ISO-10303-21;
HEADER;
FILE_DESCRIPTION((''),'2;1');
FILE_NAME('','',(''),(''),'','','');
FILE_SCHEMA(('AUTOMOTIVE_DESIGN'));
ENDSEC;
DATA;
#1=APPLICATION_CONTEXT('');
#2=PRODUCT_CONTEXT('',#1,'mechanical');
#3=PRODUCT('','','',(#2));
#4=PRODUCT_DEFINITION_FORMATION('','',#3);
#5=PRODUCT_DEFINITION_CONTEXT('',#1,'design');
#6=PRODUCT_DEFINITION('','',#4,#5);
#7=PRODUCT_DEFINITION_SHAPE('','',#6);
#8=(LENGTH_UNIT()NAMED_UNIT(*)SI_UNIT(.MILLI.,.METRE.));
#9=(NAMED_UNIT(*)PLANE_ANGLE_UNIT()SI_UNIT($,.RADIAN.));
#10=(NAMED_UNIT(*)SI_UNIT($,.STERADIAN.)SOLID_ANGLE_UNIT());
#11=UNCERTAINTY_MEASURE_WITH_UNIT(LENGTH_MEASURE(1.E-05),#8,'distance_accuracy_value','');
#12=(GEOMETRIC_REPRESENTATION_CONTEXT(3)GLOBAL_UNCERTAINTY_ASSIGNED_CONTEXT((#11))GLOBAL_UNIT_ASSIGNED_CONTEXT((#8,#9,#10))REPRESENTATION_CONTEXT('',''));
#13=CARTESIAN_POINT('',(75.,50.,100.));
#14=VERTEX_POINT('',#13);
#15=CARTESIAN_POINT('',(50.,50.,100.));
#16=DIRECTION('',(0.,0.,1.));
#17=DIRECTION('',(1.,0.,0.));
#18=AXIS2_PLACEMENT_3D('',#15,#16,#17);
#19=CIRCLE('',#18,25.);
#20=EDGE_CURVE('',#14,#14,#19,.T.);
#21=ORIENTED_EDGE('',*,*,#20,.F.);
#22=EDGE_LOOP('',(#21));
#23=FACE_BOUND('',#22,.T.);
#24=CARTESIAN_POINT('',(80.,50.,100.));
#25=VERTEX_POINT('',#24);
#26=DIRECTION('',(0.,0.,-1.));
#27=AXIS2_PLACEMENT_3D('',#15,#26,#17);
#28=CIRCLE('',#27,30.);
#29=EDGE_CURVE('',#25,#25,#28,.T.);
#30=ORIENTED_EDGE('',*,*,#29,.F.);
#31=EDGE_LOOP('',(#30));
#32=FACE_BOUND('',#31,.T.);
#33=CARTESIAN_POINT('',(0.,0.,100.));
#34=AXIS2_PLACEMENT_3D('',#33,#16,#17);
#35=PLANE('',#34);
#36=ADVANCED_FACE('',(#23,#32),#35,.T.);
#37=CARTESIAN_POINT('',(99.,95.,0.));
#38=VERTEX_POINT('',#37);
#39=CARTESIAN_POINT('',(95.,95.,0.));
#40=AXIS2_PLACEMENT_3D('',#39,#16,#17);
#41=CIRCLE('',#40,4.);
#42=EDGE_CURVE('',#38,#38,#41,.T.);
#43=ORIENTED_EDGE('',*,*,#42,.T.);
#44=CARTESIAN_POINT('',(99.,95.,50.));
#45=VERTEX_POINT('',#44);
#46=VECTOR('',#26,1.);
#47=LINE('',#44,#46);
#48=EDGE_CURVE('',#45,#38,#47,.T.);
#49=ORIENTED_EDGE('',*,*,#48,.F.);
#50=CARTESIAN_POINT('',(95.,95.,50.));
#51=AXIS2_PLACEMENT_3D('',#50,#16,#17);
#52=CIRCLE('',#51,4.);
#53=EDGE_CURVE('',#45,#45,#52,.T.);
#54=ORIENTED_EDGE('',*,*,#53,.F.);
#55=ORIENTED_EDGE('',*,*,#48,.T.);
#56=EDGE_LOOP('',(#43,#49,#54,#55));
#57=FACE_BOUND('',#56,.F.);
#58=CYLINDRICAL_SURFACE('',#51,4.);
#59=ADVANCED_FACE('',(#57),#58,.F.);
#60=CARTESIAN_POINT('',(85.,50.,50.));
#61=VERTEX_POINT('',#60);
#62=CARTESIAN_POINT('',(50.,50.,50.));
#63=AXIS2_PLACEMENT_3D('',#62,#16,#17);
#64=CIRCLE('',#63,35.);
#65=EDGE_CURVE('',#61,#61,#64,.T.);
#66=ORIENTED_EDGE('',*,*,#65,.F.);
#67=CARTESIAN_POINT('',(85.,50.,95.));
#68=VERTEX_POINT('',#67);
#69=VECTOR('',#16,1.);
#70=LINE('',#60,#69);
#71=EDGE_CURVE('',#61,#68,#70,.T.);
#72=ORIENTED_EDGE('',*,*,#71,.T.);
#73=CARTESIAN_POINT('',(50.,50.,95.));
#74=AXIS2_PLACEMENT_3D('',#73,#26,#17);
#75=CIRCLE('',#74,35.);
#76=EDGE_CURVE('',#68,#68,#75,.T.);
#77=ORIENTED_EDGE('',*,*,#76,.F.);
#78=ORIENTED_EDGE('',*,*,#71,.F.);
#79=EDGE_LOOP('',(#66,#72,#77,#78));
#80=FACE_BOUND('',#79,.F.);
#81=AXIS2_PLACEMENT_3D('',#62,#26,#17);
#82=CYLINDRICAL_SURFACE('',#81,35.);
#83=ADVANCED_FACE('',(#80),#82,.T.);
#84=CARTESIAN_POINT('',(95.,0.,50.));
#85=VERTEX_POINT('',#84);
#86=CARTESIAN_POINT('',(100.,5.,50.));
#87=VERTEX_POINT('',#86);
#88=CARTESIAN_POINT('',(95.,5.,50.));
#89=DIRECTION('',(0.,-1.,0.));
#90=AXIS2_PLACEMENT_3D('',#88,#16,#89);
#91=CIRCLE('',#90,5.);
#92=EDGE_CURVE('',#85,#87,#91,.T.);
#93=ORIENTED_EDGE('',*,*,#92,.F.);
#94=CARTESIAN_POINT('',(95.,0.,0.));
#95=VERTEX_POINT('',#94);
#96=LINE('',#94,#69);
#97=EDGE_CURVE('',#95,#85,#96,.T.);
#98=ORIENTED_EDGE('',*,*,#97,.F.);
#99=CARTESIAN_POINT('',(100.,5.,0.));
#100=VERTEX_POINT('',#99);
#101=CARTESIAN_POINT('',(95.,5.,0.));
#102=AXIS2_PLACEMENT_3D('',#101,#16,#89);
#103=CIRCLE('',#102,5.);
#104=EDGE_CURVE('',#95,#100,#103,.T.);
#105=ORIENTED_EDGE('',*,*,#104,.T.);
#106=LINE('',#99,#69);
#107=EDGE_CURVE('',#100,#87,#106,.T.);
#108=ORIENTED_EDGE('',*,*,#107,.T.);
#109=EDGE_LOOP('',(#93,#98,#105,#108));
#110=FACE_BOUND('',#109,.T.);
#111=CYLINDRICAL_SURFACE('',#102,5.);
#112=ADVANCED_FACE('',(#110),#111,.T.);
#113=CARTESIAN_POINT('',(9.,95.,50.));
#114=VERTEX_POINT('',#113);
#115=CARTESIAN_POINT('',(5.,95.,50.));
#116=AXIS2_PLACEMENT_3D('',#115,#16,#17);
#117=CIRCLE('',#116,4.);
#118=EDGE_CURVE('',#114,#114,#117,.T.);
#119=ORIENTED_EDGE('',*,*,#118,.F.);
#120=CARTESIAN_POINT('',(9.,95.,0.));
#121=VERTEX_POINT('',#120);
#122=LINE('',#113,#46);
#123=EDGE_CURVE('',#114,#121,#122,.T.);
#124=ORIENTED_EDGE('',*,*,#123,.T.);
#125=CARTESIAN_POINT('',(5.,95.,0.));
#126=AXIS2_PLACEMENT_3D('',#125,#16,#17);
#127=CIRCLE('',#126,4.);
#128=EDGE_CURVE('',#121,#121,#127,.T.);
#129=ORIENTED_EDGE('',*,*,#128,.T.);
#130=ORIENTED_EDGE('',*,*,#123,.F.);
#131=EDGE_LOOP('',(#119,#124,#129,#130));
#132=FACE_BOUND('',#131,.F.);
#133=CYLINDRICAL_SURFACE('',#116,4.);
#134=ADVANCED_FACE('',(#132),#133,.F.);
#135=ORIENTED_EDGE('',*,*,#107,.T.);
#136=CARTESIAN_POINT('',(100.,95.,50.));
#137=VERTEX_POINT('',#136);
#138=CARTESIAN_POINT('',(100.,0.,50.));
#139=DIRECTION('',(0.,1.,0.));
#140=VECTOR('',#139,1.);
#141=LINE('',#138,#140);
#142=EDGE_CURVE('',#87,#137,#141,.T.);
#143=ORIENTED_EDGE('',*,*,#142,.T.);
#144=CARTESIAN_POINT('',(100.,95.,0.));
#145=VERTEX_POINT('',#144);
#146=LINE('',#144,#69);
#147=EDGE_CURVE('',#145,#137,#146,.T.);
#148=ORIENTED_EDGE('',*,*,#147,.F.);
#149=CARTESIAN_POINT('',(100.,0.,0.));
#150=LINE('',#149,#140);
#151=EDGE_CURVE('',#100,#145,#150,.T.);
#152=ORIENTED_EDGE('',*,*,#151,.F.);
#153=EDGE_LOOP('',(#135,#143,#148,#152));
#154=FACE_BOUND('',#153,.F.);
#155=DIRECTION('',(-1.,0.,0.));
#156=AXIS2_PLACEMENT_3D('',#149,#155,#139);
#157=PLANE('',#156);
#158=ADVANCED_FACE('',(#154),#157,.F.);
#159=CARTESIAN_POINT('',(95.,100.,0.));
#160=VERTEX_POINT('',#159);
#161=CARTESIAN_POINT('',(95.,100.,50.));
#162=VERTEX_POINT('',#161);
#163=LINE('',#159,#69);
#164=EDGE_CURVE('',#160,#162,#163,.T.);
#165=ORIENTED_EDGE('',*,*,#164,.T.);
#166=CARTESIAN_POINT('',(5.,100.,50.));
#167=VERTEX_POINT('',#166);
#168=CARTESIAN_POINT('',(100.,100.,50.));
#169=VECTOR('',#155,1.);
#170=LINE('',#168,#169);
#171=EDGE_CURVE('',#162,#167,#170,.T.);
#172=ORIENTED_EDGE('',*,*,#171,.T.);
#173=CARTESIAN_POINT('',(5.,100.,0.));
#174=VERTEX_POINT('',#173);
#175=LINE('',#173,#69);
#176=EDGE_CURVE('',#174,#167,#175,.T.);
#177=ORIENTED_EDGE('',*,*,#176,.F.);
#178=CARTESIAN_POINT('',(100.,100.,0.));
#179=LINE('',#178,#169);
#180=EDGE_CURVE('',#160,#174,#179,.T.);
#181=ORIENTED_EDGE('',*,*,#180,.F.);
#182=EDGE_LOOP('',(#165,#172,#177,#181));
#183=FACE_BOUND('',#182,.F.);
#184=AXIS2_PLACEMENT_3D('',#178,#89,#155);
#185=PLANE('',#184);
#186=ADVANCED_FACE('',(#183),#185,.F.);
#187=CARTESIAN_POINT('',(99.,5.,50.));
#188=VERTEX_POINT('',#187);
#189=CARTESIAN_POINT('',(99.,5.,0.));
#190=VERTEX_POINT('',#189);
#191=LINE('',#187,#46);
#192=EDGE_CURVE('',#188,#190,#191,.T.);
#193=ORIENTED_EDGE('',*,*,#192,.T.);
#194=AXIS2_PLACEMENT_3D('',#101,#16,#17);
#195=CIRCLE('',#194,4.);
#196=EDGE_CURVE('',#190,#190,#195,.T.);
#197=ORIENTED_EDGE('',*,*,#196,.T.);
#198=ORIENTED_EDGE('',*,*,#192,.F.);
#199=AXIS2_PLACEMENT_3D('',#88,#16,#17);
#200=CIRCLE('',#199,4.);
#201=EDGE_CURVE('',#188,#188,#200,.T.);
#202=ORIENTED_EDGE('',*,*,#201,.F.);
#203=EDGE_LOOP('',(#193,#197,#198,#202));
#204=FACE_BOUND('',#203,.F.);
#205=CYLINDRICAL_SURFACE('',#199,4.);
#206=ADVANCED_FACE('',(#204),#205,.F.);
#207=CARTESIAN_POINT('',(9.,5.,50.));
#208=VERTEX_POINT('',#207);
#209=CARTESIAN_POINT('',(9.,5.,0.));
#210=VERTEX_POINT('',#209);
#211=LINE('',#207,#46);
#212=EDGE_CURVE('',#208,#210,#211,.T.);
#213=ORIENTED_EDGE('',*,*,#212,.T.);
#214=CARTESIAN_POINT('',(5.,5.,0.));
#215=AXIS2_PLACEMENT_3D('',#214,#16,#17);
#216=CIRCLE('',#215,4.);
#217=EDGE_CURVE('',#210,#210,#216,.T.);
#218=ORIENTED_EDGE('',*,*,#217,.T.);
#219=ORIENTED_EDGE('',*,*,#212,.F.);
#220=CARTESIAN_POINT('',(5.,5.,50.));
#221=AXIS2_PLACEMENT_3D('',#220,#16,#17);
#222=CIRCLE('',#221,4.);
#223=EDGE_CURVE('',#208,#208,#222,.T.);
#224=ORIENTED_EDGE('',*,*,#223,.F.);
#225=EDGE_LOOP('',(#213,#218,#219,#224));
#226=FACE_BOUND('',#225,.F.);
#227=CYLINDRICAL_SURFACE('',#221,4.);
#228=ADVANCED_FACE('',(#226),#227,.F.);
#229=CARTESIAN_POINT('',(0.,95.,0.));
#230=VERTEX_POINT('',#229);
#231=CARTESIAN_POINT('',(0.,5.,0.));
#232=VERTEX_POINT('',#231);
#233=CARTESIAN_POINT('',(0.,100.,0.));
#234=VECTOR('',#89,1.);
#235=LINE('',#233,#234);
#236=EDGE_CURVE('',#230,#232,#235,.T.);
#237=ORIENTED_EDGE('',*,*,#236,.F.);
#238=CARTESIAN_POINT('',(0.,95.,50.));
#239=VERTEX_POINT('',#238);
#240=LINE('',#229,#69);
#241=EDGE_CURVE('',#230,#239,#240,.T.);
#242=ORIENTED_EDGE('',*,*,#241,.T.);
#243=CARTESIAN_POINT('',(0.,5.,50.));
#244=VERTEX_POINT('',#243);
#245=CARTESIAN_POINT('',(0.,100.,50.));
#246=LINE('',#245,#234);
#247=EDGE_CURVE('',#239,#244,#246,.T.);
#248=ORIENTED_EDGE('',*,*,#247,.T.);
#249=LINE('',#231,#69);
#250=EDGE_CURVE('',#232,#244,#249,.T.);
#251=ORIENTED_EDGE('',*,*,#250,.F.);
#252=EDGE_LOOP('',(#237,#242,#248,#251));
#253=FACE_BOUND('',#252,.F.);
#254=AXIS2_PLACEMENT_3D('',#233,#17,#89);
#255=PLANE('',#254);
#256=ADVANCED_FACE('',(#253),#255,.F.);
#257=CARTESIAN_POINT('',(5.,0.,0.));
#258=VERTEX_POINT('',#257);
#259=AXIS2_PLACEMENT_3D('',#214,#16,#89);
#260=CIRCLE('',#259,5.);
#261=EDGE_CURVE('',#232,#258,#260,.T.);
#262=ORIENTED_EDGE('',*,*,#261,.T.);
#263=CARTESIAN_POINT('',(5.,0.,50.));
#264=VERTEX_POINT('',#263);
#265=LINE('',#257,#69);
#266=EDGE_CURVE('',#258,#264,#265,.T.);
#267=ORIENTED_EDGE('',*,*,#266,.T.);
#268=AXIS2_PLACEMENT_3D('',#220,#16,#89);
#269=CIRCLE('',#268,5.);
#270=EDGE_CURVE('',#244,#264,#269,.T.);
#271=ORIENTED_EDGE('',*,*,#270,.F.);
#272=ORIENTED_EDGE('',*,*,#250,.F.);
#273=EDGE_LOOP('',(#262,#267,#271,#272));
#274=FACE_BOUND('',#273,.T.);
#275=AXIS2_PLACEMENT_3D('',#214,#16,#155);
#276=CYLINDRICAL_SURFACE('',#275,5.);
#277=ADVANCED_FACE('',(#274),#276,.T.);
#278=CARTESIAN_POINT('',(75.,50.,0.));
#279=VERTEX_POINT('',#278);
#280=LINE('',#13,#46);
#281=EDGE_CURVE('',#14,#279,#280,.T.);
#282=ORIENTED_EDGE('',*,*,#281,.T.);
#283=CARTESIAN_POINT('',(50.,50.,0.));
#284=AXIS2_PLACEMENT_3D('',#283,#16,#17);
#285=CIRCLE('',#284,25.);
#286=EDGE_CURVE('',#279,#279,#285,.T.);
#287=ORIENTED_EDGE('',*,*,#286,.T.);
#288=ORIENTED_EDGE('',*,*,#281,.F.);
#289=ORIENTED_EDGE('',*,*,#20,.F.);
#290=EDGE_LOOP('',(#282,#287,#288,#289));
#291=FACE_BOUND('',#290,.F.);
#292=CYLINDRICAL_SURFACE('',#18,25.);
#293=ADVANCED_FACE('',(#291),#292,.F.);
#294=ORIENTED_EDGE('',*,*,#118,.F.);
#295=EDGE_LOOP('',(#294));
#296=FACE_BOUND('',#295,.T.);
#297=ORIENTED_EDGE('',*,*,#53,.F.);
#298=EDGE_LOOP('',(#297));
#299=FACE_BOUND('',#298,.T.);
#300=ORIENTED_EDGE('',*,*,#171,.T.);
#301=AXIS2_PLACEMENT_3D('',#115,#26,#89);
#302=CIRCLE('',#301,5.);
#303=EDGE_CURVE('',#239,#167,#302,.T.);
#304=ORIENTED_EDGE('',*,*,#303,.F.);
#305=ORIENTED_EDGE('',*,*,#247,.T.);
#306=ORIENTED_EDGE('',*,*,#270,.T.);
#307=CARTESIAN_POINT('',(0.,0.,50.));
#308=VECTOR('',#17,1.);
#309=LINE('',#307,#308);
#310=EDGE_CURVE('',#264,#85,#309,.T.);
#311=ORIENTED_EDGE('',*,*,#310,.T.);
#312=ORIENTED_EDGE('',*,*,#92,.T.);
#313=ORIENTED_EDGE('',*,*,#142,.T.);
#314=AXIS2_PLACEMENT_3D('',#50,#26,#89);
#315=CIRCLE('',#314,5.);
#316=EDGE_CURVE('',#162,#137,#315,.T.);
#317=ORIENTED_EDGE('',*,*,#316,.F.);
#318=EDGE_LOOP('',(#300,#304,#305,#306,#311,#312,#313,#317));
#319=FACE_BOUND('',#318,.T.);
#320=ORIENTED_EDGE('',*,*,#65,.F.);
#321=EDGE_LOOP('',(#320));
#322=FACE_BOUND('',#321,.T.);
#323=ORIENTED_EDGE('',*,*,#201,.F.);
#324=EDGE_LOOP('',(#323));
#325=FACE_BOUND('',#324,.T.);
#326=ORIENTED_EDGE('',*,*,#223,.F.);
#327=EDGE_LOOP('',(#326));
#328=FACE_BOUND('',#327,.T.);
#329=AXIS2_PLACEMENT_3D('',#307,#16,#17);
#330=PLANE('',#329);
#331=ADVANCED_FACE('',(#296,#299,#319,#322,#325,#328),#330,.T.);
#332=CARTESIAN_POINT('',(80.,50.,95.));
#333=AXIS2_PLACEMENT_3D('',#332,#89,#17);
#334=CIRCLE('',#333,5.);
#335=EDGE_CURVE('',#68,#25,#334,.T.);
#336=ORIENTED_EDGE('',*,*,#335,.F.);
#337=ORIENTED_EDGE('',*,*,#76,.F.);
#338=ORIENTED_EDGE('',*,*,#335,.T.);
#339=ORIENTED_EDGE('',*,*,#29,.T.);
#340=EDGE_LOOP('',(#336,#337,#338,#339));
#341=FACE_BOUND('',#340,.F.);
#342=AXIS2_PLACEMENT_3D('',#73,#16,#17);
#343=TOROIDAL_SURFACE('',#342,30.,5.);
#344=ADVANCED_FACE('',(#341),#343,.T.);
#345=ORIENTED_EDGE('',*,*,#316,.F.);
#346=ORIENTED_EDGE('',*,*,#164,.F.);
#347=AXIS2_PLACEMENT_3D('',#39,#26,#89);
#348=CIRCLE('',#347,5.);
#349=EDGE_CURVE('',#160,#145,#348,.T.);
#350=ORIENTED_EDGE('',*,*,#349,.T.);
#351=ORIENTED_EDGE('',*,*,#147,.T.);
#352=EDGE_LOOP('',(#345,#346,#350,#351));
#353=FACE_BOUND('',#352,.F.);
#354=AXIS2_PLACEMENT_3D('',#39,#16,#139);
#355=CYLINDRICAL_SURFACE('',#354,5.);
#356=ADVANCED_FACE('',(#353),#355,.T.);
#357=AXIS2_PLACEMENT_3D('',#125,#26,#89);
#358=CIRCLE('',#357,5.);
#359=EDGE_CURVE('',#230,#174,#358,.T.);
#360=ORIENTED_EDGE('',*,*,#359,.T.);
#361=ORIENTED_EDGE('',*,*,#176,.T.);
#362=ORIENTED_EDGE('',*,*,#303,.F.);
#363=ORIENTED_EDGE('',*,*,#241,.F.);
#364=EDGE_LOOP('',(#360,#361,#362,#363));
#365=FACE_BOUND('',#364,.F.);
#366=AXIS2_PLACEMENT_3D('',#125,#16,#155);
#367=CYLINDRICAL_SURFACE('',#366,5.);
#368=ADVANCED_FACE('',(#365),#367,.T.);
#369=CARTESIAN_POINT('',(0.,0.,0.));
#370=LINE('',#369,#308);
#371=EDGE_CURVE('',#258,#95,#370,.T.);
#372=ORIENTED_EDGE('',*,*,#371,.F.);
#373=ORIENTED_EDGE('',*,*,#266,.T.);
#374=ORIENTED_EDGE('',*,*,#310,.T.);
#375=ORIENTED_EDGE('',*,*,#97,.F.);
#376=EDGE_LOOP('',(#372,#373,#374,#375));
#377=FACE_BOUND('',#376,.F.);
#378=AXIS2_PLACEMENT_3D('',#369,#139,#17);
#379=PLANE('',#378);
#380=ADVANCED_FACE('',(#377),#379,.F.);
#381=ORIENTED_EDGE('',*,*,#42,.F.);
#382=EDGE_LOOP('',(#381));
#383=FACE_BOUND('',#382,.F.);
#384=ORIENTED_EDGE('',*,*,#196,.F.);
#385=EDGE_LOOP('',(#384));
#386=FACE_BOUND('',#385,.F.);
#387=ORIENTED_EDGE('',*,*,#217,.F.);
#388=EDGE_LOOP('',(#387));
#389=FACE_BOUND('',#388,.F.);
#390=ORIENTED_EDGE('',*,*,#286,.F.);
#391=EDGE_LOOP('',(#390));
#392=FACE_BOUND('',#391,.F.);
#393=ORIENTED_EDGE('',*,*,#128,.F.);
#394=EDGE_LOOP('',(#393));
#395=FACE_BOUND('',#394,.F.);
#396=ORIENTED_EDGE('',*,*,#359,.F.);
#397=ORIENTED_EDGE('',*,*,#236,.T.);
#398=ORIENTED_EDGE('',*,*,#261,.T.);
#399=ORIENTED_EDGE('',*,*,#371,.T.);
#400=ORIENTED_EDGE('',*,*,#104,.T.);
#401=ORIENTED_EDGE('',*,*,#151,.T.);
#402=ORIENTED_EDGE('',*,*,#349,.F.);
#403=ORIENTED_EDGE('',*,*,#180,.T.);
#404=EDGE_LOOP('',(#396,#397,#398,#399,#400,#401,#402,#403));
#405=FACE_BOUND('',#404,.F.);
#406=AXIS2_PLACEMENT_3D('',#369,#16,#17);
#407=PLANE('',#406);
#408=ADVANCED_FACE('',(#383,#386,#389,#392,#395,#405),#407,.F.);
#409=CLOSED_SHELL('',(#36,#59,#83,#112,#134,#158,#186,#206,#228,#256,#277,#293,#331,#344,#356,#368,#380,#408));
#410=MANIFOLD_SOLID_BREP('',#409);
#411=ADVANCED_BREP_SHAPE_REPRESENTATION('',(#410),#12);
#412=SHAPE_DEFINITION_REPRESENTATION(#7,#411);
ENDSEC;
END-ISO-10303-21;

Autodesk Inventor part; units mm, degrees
ref_plane "YZ Plane" through (0, 0, 0) normal (1, 0, 0) x (0, 1, 0)
ref_plane "XZ Plane" through (0, 0, 0) normal (0, 1, 0) x (-1, 0, 0)
ref_plane "XY Plane" through (0, 0, 0) normal (0, 0, 1) x (1, 0, 0)
sketch "Sketch1" plane through (0, 0, 0) normal (0, 0, 1) x (1, 0, 0)
  line L0 (0, 0) -> (100, 0)
  line L1 (100, 0) -> (100, 100)
  line L2 (100, 100) -> (0, 100)
  line L3 (0, 100) -> (0, 0)
  dimension "d0" = 100
  dimension "d1" = 100
extrude "Extrusion1" add sketch "Sketch1" along normal blind 50
sketch "Sketch2" plane through (0, 0, 50) normal (0, 0, 1) x (1, 0, 0)
  line L0 (100, 100) -> (0, 100) projected
  line L1 (50, 100) -> (50, 0)
  line L2 (0, 100) -> (0, 0) projected
  line L3 (0, 50) -> (100, 50)
  circle A0 centre (50, 50) radius 35
  dimension "d4" = 70
extrude "Extrusion2" add sketch "Sketch2" along normal blind 50 contours A0 L3 L1 | L1 L3 A0 | L3 A0 L1 | L1 A0 L3
fillet "Fillet1" radius 5 4 edges at (100, 100, 25) (0, 100, 25) (0, 0, 25) (100, 0, 25)
sketch "Sketch3" plane through (50, 50, 100) normal (0, 0, 1) x (1, 0, 0)
  circle A0 centre (0, 0) radius 25
  point P0 (-50, -50)
  dimension "d8" = 50
extrude "Extrusion3" cut sketch "Sketch3" against normal blind 100
fillet "Fillet2" radius 5 1 edges at (15, 50, 100)
sketch "Sketch4" plane through (0, 0, 50) normal (0, 0, 1) x (1, 0, 0)
  arc A0 (0, 5) -> (5, 0) centre (5, 5) ccw construction
  circle A1 centre (5, 5) radius 4
  arc A2 (95, 0) -> (100, 5) centre (95, 5) ccw projected
  circle A3 centre (95, 5) radius 4
  arc A4 (100, 95) -> (95, 100) centre (95, 95) ccw projected
  circle A5 centre (95, 95) radius 4
  arc A6 (5, 100) -> (0, 95) centre (5, 95) ccw projected
  circle A7 centre (5, 95) radius 4
  point P0 (0, 0)
extrude "Extrusion4" cut sketch "Sketch4" against normal blind 100
thread "Thread1" size "M50x4" class "6H" standard "ANSI Metric M Profile" full length
properties part number "Tarea1"
